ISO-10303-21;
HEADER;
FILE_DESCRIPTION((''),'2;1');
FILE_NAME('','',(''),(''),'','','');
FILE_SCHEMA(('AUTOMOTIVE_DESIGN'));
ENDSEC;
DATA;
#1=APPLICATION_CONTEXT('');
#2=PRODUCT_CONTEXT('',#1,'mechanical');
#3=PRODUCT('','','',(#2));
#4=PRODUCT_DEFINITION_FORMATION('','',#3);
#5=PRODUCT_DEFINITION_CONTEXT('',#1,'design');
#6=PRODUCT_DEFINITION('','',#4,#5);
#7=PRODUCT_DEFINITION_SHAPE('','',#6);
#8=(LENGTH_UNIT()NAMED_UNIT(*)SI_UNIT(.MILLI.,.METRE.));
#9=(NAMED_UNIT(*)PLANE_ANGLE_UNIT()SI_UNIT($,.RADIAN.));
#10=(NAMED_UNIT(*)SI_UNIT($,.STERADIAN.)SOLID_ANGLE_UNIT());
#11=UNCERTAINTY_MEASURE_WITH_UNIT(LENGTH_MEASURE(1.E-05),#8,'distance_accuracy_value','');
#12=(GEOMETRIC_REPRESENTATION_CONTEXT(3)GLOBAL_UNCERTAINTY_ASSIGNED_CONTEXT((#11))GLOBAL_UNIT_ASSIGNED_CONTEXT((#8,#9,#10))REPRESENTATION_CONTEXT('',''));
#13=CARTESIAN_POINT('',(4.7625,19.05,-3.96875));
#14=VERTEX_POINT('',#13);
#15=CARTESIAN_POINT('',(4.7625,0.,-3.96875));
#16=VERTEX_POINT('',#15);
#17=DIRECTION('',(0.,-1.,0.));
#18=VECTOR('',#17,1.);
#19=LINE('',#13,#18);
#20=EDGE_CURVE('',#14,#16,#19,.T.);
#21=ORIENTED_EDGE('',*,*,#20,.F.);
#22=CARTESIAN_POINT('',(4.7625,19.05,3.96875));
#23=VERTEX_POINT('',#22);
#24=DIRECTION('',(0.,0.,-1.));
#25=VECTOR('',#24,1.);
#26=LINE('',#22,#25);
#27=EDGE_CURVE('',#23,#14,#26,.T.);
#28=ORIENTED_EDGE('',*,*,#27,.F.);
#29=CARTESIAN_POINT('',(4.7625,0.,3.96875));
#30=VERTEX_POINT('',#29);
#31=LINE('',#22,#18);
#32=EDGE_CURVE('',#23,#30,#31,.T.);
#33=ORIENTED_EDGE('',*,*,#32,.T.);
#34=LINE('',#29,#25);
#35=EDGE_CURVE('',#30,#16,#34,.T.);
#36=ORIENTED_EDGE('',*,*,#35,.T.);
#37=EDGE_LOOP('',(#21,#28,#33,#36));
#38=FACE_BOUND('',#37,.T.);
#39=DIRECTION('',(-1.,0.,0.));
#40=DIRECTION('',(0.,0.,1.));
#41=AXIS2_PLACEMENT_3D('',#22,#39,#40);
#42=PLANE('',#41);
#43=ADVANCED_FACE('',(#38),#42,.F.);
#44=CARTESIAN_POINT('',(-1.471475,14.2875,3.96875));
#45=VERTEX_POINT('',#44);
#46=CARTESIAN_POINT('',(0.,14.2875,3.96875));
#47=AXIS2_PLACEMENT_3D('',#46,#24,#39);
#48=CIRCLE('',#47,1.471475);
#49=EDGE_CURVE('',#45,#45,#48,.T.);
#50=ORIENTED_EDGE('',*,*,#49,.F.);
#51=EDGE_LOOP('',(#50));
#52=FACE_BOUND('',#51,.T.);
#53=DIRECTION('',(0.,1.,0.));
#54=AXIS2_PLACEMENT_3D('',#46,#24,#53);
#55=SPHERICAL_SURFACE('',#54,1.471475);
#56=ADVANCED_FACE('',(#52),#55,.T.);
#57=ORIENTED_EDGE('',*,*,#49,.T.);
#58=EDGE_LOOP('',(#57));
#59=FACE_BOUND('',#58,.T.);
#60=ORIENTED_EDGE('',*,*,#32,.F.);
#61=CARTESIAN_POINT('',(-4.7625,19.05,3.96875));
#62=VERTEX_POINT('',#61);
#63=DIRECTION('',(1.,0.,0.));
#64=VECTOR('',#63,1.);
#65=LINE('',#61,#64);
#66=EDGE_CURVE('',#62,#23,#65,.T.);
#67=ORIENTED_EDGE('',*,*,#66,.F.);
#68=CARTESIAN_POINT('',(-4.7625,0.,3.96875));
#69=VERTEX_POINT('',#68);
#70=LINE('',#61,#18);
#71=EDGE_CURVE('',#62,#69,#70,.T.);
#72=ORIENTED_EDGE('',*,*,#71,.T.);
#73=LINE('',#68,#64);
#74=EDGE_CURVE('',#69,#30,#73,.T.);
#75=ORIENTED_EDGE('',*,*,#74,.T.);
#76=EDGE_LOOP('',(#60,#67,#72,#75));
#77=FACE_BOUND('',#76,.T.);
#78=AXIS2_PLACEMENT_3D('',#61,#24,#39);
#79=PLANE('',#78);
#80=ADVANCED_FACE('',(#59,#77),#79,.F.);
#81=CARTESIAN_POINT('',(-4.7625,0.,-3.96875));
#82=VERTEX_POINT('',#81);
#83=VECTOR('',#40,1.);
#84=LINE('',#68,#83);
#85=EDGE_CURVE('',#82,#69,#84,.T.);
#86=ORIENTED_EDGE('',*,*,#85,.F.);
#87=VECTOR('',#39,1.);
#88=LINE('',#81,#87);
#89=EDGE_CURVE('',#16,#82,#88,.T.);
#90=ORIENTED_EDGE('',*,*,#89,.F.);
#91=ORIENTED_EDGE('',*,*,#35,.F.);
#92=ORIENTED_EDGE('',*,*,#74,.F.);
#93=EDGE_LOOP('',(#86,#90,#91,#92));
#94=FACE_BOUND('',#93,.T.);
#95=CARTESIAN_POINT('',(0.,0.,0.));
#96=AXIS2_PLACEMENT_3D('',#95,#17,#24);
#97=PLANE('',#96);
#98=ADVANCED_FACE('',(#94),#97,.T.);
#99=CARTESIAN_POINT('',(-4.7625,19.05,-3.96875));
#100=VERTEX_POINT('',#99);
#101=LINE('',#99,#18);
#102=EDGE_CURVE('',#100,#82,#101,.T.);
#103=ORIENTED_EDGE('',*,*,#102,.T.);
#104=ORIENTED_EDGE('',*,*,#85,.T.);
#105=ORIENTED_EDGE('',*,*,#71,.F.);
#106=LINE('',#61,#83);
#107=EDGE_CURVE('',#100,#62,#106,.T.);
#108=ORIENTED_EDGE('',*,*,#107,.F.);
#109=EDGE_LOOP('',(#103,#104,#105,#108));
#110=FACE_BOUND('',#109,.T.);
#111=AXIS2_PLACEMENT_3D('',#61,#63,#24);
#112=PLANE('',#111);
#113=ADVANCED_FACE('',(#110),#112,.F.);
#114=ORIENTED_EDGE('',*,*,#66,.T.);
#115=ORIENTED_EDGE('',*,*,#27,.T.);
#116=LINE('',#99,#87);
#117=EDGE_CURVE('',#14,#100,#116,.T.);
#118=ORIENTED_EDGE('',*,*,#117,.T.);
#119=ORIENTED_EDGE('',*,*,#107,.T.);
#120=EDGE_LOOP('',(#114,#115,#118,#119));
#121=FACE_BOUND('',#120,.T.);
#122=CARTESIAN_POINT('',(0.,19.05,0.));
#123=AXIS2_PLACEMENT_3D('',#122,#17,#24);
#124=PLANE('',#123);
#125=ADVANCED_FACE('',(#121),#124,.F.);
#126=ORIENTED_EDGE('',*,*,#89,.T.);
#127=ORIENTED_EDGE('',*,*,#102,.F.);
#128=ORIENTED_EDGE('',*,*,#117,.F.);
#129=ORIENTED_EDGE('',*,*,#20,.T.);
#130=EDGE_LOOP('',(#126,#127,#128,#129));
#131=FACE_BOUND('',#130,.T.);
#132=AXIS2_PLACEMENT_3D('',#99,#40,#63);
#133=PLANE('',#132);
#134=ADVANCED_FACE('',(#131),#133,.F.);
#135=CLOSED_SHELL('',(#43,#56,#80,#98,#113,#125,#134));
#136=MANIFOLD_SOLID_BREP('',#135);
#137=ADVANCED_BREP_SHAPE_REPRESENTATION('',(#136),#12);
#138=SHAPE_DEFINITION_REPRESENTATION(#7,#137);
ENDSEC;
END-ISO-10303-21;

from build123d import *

# Parameters (mm, degrees)
SKETCH1_W           = 9.525
SKETCH1_H           = 7.9375
BOSS_EXTRUDE1_DEPTH = 19.05


with BuildPart() as part:
    # Sketch1 → Boss-Extrude1 (new body)
    with BuildSketch(Plane(origin=(0, 0, 0), x_dir=(1, 0, 0), z_dir=(0, 1, 0))):
        Rectangle(SKETCH1_W, SKETCH1_H)
    extrude(amount=BOSS_EXTRUDE1_DEPTH)

    # Sketch3 → Revolve1 (revolve)
    with BuildSketch(Plane(origin=(0, 0, 0), x_dir=(0, 0, -1), z_dir=(1, 0, 0))):
        with BuildLine():
            Line((-3.96875, 14.2875), (-3.96875, 15.758974771))
            ThreePointArc((-3.96875, 15.758974771), (-5.009239789, 15.327989789), (-5.440224771, 14.2875))
            Line((-5.440224771, 14.2875), (-3.96875, 14.2875))
        make_face()
    revolve(axis=Axis((0, 14.2875, 3.96875), (0, 0, 1)))


solid = part.part
